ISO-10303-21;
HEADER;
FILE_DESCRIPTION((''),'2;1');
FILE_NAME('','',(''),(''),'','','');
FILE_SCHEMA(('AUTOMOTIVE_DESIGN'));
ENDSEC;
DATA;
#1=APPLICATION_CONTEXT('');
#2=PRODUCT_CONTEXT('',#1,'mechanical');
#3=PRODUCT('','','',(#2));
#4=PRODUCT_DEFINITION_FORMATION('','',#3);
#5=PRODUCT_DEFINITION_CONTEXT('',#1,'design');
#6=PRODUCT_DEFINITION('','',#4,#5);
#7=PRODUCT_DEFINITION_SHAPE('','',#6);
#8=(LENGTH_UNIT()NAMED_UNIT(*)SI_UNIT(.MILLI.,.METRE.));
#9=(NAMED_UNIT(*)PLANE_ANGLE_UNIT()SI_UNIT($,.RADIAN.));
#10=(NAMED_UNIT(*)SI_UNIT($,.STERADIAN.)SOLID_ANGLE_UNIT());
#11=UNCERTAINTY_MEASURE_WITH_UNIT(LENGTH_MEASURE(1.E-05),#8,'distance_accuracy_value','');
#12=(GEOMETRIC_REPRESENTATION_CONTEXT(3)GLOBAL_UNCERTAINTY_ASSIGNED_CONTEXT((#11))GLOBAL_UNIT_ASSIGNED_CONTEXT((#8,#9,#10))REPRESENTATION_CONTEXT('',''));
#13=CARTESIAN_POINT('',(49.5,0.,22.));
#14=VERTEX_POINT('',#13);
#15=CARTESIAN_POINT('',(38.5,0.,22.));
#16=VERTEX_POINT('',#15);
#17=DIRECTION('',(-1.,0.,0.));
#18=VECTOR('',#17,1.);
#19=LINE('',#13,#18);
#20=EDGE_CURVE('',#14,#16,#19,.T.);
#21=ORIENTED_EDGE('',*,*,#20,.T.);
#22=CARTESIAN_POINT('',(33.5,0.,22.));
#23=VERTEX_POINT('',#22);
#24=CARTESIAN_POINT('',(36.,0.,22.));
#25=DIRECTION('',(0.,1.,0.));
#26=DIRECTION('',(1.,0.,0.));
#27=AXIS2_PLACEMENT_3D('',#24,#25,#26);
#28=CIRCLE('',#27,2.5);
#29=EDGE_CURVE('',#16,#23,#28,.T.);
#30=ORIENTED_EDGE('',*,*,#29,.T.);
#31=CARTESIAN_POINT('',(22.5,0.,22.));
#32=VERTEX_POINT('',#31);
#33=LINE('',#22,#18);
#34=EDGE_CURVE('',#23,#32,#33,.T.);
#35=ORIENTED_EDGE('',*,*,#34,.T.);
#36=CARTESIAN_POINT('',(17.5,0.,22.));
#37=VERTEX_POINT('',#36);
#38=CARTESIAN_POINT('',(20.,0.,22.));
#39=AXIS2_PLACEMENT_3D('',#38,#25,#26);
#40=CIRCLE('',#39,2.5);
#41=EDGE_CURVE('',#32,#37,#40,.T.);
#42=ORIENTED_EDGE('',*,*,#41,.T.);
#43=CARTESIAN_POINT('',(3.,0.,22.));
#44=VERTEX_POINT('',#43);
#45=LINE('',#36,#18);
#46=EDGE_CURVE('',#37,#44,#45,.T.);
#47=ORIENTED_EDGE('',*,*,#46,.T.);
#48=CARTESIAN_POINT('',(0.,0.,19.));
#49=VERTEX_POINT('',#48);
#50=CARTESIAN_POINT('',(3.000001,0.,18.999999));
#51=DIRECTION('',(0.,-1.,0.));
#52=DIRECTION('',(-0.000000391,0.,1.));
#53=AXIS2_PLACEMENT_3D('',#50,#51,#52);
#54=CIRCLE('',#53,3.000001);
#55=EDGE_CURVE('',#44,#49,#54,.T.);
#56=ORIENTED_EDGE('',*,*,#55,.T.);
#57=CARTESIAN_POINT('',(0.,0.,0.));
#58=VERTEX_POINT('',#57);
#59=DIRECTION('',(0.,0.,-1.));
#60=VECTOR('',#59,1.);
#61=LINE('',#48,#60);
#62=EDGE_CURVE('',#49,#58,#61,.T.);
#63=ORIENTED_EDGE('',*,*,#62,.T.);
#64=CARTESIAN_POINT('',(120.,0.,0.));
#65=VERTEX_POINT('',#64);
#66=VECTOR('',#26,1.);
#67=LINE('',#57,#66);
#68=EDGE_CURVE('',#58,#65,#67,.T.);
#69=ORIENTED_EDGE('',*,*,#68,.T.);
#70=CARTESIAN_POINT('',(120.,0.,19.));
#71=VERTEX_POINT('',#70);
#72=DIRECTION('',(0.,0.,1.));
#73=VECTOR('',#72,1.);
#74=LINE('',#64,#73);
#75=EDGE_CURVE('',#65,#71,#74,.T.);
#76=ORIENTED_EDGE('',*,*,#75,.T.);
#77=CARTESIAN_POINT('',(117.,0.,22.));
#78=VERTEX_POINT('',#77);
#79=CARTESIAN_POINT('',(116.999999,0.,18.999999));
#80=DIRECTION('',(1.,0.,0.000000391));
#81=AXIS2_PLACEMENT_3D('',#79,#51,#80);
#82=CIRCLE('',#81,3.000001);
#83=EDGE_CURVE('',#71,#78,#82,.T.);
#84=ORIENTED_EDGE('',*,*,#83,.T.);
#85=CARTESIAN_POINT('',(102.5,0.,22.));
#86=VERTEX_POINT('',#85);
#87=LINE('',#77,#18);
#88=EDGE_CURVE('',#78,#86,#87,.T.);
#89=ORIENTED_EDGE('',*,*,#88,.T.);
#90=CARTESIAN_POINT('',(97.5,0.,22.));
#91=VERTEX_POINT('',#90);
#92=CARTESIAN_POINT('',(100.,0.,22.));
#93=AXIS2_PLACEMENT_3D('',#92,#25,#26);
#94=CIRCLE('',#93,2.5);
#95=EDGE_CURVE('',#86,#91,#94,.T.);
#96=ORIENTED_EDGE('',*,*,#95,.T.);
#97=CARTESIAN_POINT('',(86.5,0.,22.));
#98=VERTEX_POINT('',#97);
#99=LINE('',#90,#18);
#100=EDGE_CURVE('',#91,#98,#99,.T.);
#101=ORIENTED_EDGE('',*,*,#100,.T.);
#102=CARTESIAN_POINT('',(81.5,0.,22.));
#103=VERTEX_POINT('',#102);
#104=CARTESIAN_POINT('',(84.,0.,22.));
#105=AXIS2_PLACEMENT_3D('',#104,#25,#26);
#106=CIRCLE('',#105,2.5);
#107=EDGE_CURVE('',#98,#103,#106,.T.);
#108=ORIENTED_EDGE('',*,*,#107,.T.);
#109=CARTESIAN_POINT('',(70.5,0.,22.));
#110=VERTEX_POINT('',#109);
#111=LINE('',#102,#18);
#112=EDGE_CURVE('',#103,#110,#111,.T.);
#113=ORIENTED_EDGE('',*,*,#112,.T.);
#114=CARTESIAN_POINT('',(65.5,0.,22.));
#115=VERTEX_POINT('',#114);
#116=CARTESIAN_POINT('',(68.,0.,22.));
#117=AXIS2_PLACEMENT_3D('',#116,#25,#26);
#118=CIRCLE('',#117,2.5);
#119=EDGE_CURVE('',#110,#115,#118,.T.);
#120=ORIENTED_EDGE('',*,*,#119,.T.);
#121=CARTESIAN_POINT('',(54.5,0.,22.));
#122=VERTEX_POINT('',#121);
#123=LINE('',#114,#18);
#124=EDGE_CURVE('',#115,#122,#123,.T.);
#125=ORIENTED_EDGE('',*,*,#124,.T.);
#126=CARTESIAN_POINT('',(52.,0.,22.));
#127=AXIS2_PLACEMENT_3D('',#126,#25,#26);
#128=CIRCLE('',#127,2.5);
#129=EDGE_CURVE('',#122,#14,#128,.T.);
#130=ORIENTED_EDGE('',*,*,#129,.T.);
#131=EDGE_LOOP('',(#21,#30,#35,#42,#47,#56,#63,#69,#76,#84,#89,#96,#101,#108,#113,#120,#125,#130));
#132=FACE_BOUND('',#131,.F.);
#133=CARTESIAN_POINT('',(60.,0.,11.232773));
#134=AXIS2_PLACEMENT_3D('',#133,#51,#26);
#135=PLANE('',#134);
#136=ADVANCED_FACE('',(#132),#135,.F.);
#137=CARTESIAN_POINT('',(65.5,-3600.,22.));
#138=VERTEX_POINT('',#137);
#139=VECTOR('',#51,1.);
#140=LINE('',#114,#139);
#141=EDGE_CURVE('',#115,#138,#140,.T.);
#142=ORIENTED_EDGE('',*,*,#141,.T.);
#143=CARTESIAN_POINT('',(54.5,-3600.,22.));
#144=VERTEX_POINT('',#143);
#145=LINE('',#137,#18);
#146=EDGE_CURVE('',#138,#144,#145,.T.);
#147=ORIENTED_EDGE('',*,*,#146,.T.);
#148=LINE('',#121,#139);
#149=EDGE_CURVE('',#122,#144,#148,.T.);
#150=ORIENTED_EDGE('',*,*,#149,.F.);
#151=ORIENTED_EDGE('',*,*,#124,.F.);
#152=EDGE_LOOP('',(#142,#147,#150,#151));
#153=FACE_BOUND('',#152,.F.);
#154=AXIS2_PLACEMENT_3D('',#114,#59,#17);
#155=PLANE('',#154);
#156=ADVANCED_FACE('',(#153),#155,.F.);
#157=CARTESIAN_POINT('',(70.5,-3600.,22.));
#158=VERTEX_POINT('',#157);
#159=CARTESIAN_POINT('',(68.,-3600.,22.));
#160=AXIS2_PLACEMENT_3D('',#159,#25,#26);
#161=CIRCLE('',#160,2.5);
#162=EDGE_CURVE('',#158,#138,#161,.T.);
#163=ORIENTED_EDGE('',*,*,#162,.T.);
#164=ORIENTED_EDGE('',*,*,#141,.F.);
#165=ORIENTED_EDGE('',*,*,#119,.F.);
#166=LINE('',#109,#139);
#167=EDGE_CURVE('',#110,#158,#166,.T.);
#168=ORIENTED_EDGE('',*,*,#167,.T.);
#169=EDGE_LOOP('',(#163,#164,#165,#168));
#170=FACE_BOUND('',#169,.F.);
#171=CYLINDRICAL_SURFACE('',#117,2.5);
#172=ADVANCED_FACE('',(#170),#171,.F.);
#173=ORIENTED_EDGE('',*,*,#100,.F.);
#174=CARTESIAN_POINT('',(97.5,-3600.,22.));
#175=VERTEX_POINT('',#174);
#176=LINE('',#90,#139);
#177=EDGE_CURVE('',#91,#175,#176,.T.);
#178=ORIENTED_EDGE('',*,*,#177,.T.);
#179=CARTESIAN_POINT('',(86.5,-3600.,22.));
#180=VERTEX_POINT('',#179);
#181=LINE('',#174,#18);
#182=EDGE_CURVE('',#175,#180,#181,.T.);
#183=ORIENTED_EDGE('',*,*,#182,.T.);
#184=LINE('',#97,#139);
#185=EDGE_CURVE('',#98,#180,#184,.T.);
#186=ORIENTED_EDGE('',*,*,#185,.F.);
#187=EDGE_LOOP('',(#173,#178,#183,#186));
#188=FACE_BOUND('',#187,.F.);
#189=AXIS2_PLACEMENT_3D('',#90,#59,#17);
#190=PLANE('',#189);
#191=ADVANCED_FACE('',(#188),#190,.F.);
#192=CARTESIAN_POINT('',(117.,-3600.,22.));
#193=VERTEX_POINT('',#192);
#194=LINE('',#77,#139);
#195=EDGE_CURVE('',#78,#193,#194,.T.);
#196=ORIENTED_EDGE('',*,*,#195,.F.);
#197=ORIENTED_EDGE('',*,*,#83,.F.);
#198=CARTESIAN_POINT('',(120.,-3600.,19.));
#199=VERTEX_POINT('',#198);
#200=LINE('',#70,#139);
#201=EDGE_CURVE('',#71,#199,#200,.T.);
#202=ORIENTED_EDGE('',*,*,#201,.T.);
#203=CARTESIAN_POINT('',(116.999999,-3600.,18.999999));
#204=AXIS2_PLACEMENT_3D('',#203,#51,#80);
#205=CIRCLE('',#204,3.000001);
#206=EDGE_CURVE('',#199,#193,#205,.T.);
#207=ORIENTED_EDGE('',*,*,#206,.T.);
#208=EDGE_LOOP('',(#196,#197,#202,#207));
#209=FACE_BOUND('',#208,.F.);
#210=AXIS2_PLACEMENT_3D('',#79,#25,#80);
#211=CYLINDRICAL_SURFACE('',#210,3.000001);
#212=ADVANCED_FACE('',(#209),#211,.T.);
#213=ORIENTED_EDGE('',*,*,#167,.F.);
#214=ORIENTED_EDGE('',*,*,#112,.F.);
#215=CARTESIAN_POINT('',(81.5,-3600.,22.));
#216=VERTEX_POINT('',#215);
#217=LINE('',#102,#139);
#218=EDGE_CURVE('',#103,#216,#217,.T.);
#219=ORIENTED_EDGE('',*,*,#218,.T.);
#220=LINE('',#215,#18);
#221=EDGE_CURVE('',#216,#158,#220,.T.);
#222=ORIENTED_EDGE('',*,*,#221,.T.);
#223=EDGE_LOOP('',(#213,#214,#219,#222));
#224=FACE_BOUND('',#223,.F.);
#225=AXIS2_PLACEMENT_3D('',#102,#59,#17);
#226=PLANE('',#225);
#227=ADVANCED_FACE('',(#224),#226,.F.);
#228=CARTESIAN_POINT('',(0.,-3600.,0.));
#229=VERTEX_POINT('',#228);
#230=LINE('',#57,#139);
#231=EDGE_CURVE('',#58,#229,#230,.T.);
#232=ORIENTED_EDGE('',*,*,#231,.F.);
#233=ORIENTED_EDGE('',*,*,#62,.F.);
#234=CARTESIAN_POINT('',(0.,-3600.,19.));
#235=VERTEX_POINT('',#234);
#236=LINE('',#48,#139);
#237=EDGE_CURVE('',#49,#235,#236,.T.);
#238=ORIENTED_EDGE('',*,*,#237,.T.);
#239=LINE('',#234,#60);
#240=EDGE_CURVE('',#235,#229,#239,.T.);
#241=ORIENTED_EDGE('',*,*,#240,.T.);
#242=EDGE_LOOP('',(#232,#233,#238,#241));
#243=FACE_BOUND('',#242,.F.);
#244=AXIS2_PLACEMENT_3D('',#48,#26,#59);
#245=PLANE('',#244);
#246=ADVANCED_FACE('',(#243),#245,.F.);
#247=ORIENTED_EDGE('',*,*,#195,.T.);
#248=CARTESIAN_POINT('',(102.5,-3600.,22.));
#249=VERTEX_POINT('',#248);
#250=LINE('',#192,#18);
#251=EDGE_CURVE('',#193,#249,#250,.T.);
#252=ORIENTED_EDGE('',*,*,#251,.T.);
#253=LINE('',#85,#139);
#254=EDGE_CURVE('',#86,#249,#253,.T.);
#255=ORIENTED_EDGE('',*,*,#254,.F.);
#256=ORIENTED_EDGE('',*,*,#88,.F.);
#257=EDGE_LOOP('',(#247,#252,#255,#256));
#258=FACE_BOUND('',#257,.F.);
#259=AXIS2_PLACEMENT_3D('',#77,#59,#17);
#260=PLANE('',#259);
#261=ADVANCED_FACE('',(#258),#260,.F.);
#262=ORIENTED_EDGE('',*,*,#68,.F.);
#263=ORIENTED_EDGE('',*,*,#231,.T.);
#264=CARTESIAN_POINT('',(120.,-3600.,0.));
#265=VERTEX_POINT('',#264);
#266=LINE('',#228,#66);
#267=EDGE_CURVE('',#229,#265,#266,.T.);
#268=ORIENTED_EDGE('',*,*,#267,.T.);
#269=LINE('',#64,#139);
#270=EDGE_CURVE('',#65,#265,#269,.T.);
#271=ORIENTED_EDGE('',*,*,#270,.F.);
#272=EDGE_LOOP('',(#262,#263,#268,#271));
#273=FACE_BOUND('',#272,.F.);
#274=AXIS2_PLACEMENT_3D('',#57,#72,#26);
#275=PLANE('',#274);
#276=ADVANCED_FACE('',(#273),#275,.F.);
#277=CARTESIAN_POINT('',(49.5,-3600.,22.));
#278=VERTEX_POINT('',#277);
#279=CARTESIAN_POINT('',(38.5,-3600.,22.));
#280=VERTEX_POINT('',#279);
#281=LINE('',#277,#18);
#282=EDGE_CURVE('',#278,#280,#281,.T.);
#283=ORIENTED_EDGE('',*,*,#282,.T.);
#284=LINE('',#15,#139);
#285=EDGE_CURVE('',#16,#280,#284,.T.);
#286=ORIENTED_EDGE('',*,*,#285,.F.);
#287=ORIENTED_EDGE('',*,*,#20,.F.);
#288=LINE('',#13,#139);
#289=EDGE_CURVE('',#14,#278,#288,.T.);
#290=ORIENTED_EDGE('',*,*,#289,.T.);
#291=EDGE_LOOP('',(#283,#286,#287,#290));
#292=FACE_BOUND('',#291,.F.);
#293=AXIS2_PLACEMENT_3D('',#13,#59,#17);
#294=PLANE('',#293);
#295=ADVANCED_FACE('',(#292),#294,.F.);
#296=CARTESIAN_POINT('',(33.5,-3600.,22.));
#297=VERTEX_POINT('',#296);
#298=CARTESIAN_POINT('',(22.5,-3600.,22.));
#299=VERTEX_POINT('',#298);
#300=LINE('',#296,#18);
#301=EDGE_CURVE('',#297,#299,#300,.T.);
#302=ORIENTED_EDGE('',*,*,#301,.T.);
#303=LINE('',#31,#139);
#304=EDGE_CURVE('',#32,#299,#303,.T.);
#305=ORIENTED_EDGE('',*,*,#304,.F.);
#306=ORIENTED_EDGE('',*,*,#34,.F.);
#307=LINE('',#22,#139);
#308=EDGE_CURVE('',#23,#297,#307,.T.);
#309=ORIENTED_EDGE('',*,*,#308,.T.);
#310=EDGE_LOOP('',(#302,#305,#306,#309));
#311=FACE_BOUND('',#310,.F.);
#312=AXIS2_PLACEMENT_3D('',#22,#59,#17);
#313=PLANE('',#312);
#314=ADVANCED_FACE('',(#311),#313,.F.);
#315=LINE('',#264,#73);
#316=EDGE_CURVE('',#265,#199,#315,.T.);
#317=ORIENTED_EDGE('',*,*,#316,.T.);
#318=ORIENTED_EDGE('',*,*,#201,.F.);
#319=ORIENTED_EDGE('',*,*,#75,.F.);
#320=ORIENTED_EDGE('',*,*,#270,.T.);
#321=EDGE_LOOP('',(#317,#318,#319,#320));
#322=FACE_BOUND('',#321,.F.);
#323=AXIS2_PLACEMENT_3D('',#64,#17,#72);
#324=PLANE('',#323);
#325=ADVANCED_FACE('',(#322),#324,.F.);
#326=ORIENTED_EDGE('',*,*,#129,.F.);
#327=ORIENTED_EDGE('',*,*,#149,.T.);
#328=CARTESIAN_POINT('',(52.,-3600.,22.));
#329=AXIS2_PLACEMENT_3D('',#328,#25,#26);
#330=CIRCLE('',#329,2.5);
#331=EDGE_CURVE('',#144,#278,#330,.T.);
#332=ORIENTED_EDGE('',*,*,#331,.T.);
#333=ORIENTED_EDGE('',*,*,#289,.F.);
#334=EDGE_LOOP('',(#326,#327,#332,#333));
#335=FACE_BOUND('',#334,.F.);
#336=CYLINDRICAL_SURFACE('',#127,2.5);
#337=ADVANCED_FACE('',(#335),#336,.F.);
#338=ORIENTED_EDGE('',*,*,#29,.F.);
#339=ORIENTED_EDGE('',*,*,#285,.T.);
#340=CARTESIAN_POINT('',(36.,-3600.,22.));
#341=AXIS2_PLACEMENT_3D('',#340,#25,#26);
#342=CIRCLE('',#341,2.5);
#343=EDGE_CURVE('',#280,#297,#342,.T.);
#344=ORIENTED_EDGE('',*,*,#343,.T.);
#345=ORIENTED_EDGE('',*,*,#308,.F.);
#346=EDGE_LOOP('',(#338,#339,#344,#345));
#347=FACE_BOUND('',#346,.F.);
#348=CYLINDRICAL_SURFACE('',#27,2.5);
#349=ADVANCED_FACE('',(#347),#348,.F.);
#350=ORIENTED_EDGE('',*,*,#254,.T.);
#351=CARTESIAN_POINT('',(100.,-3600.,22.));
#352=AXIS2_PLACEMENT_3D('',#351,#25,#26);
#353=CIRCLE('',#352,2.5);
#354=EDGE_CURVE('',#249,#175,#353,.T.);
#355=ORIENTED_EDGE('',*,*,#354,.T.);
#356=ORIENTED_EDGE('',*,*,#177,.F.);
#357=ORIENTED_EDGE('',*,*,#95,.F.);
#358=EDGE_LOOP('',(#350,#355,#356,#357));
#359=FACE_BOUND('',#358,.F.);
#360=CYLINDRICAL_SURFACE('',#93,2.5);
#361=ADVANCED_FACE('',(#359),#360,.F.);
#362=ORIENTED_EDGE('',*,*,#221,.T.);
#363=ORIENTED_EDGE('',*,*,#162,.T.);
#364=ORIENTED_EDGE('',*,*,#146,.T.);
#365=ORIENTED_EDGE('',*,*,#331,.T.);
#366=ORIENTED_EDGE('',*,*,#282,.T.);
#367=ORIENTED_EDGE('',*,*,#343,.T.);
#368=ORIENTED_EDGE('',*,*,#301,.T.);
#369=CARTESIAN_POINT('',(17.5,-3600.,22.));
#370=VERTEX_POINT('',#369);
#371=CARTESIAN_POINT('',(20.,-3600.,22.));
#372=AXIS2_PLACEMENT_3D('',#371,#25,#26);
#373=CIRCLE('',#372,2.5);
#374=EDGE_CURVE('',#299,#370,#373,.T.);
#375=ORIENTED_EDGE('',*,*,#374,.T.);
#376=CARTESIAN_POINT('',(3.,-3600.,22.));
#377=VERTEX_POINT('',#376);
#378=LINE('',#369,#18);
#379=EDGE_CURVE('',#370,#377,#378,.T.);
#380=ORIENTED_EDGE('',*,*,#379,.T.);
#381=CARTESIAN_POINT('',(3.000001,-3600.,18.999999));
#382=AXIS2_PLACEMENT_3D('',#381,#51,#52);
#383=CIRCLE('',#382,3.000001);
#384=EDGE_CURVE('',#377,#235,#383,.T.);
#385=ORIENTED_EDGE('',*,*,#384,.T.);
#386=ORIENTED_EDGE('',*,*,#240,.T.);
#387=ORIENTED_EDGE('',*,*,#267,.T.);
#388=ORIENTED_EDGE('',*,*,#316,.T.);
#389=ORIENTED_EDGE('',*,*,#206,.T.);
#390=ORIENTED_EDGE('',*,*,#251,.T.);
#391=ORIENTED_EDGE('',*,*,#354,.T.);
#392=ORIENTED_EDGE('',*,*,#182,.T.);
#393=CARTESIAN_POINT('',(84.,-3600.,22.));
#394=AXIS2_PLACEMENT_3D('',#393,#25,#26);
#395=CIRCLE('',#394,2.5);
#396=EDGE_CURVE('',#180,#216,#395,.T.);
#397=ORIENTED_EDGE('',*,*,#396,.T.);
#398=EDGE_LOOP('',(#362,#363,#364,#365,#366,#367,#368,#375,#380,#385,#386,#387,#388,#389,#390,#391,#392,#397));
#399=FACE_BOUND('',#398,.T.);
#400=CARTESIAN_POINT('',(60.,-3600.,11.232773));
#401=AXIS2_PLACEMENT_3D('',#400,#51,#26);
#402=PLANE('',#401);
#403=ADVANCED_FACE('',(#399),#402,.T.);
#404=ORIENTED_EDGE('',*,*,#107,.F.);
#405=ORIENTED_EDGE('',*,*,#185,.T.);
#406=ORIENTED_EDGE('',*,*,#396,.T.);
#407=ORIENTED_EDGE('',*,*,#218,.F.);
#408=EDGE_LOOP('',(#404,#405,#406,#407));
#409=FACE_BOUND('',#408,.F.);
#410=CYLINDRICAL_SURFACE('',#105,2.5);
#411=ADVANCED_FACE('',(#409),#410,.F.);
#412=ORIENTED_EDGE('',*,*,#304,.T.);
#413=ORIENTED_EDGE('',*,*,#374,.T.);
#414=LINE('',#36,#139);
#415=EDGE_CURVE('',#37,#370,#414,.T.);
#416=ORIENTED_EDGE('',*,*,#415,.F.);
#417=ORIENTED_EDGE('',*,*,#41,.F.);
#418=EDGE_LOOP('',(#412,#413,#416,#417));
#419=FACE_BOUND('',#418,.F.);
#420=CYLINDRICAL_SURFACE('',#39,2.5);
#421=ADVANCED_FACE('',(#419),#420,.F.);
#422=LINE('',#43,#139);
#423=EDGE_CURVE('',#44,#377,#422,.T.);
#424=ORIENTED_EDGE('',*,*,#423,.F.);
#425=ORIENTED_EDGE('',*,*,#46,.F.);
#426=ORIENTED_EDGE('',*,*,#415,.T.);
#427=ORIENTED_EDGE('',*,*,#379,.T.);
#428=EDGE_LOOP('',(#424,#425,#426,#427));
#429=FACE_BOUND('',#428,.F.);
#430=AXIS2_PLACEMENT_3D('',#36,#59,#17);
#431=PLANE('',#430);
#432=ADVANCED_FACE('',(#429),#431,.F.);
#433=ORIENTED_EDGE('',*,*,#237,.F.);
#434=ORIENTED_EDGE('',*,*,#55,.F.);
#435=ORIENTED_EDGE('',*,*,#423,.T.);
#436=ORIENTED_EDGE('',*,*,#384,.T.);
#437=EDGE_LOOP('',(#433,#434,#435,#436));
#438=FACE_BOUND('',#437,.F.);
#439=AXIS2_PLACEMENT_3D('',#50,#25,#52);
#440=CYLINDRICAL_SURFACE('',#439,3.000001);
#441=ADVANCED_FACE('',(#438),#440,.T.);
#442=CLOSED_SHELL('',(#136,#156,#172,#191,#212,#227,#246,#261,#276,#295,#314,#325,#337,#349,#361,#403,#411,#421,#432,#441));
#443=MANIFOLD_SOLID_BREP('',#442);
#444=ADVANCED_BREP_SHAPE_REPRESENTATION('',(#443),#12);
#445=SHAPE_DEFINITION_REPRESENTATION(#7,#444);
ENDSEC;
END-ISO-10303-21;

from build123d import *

# Parameters (mm, degrees)
F1_DEPTH = 3600


with BuildPart() as f1:
    # F0 (on Front) → F1 (new body)
    with BuildSketch(Plane.XZ):
        with BuildLine():
            Line((0, 19), (0, 0))
            Line((0, 0), (120, 0))
            Line((120, 0), (120, 19))
            ThreePointArc((120, 19), (119.12132, 21.12132), (117, 22))
            Line((117, 22), (102.5, 22))
            ThreePointArc((102.5, 22), (100, 19.5), (97.5, 22))
            Line((97.5, 22), (86.5, 22))
            ThreePointArc((86.5, 22), (84, 19.5), (81.5, 22))
            Line((81.5, 22), (70.5, 22))
            ThreePointArc((70.5, 22), (68, 19.5), (65.5, 22))
            Line((65.5, 22), (54.5, 22))
            ThreePointArc((54.5, 22), (52, 19.5), (49.5, 22))
            Line((49.5, 22), (38.5, 22))
            ThreePointArc((38.5, 22), (36, 19.5), (33.5, 22))
            Line((33.5, 22), (22.5, 22))
            ThreePointArc((22.5, 22), (20, 19.5), (17.5, 22))
            Line((17.5, 22), (3, 22))
            ThreePointArc((3, 22), (0.87868, 21.12132), (0, 19))
        make_face()
    extrude(amount=F1_DEPTH)


solid = f1.part
